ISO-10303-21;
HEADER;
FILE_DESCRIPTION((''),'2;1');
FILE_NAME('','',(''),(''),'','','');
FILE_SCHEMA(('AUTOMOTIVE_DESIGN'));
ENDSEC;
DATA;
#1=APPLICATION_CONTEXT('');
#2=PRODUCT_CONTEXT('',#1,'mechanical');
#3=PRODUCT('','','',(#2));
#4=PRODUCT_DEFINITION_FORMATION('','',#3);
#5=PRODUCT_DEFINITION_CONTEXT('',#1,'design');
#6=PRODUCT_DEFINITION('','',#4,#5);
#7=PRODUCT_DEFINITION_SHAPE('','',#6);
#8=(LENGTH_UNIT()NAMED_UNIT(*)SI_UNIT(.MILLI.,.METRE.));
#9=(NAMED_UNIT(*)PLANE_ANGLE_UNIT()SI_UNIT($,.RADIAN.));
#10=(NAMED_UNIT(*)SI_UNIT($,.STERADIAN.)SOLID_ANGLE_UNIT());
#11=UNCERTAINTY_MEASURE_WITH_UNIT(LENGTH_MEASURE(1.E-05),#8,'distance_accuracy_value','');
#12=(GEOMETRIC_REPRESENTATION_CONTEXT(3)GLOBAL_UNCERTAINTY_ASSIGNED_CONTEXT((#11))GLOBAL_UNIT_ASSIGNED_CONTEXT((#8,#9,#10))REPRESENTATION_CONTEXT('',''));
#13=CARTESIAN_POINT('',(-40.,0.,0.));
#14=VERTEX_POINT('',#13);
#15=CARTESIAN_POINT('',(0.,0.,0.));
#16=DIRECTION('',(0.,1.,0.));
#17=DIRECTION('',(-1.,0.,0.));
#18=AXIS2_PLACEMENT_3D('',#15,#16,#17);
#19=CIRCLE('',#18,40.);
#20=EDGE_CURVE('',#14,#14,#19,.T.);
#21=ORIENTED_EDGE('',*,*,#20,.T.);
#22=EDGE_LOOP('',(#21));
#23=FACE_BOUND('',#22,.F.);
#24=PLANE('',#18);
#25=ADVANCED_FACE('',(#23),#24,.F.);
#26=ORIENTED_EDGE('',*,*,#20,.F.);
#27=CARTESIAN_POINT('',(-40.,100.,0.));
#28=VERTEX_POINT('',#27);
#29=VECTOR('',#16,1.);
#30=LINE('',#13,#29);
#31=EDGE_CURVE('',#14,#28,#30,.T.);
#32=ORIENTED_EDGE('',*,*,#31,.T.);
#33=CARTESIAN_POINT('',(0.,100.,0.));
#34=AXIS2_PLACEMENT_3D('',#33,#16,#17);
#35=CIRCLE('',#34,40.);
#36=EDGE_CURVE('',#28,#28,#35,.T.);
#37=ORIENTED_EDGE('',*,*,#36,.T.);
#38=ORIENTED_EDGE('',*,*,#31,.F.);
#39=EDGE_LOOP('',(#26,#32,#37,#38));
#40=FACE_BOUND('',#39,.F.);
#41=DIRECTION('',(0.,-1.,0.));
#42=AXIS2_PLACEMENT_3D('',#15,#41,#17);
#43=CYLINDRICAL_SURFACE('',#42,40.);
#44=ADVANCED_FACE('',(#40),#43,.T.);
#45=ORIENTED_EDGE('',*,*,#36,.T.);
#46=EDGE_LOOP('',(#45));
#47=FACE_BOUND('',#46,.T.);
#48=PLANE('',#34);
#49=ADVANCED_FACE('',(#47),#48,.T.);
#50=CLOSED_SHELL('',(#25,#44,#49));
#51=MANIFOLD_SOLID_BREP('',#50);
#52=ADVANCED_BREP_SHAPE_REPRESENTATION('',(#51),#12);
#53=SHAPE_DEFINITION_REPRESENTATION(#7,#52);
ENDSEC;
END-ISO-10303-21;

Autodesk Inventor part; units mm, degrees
ref_plane "YZ Plane" through (0, 0, 0) normal (1, 0, 0) x (0, 1, 0)
ref_plane "XZ Plane" through (0, 0, 0) normal (0, 1, 0) x (-1, 0, 0)
ref_plane "XY Plane" through (0, 0, 0) normal (0, 0, 1) x (1, 0, 0)
sketch "Sketch1" plane through (0, 0, 0) normal (0, 1, 0) x (-1, 0, 0)
  circle A0 centre (0, 0) radius 40
  dimension "d0" = 80
extrude "Extrusion1" add sketch "Sketch1" along normal blind 100
properties part number "TubeFormCore40 mm"
